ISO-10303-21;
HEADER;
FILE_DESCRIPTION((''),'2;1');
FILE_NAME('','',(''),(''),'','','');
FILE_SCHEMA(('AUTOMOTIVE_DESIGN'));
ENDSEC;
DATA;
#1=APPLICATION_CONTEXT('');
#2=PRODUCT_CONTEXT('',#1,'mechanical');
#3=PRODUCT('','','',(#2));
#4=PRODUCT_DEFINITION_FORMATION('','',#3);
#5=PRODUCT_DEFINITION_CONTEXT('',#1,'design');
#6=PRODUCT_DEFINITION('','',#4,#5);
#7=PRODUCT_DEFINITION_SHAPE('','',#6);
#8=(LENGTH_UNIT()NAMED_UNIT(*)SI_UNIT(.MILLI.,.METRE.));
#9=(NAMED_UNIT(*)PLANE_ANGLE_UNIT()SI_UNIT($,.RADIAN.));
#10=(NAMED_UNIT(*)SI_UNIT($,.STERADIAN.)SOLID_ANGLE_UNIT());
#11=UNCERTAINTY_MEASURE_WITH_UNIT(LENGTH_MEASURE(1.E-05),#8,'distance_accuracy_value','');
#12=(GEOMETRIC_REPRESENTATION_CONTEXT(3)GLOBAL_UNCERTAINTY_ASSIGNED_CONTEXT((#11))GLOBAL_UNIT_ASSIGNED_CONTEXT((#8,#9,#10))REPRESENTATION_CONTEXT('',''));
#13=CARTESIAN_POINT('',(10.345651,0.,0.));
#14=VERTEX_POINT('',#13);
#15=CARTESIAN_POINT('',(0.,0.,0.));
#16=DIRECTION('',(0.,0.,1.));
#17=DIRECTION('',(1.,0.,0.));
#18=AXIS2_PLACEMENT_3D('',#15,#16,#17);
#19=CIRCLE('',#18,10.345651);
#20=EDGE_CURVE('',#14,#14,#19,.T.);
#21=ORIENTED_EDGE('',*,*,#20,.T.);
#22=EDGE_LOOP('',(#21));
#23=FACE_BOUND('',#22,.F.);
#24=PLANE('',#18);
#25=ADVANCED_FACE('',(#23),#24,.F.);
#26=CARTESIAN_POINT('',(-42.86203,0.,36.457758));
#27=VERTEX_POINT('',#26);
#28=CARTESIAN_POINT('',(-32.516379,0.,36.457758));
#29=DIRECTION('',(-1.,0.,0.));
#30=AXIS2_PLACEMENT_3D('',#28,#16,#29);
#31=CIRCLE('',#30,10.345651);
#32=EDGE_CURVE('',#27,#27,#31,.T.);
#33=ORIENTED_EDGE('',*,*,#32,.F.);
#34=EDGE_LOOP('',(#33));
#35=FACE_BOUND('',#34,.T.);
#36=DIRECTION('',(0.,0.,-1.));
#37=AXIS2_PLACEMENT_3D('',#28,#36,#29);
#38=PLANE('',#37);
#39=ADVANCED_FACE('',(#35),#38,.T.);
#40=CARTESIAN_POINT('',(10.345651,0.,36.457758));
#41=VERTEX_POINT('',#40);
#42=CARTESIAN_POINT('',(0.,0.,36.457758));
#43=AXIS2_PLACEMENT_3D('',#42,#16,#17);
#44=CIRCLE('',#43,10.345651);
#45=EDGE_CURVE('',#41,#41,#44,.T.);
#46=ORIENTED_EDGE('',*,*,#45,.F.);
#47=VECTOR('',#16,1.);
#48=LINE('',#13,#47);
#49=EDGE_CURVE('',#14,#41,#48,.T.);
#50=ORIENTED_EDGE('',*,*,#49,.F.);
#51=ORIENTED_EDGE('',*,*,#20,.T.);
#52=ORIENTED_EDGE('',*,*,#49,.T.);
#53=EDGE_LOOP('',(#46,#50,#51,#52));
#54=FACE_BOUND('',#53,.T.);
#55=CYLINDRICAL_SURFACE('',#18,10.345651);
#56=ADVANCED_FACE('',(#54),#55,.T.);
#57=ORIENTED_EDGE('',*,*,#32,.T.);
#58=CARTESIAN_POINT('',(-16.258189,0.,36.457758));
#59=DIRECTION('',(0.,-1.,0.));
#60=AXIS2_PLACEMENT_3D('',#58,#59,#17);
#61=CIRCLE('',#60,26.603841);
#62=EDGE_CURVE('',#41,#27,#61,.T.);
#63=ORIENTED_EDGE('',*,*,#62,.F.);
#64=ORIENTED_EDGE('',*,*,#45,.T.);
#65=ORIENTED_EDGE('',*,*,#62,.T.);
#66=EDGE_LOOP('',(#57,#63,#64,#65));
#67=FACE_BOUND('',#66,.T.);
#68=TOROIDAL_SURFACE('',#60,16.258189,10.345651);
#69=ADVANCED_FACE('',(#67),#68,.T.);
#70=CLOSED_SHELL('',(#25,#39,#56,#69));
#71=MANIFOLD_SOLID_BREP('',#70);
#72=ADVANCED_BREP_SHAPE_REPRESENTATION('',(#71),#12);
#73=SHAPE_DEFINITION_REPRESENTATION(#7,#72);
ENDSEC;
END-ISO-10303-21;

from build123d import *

# Parameters (mm, degrees)
F1_R = 10.3456513433


with BuildPart() as f2:
    # F2: sweep along a path in F0
    with BuildLine(Plane.XZ) as f2_path:
        Line((0, 0), (0, 36.4577583969))
        ThreePointArc((0, 36.4577583969), (-16.2581894547, 52.7159478515), (-32.5163789093, 36.4577583969))
    # F1 (on Top) → F2 (sweep)
    with BuildSketch(Plane.XY):
        Circle(F1_R)
    sweep(path=f2_path.line)


solid = f2.part
